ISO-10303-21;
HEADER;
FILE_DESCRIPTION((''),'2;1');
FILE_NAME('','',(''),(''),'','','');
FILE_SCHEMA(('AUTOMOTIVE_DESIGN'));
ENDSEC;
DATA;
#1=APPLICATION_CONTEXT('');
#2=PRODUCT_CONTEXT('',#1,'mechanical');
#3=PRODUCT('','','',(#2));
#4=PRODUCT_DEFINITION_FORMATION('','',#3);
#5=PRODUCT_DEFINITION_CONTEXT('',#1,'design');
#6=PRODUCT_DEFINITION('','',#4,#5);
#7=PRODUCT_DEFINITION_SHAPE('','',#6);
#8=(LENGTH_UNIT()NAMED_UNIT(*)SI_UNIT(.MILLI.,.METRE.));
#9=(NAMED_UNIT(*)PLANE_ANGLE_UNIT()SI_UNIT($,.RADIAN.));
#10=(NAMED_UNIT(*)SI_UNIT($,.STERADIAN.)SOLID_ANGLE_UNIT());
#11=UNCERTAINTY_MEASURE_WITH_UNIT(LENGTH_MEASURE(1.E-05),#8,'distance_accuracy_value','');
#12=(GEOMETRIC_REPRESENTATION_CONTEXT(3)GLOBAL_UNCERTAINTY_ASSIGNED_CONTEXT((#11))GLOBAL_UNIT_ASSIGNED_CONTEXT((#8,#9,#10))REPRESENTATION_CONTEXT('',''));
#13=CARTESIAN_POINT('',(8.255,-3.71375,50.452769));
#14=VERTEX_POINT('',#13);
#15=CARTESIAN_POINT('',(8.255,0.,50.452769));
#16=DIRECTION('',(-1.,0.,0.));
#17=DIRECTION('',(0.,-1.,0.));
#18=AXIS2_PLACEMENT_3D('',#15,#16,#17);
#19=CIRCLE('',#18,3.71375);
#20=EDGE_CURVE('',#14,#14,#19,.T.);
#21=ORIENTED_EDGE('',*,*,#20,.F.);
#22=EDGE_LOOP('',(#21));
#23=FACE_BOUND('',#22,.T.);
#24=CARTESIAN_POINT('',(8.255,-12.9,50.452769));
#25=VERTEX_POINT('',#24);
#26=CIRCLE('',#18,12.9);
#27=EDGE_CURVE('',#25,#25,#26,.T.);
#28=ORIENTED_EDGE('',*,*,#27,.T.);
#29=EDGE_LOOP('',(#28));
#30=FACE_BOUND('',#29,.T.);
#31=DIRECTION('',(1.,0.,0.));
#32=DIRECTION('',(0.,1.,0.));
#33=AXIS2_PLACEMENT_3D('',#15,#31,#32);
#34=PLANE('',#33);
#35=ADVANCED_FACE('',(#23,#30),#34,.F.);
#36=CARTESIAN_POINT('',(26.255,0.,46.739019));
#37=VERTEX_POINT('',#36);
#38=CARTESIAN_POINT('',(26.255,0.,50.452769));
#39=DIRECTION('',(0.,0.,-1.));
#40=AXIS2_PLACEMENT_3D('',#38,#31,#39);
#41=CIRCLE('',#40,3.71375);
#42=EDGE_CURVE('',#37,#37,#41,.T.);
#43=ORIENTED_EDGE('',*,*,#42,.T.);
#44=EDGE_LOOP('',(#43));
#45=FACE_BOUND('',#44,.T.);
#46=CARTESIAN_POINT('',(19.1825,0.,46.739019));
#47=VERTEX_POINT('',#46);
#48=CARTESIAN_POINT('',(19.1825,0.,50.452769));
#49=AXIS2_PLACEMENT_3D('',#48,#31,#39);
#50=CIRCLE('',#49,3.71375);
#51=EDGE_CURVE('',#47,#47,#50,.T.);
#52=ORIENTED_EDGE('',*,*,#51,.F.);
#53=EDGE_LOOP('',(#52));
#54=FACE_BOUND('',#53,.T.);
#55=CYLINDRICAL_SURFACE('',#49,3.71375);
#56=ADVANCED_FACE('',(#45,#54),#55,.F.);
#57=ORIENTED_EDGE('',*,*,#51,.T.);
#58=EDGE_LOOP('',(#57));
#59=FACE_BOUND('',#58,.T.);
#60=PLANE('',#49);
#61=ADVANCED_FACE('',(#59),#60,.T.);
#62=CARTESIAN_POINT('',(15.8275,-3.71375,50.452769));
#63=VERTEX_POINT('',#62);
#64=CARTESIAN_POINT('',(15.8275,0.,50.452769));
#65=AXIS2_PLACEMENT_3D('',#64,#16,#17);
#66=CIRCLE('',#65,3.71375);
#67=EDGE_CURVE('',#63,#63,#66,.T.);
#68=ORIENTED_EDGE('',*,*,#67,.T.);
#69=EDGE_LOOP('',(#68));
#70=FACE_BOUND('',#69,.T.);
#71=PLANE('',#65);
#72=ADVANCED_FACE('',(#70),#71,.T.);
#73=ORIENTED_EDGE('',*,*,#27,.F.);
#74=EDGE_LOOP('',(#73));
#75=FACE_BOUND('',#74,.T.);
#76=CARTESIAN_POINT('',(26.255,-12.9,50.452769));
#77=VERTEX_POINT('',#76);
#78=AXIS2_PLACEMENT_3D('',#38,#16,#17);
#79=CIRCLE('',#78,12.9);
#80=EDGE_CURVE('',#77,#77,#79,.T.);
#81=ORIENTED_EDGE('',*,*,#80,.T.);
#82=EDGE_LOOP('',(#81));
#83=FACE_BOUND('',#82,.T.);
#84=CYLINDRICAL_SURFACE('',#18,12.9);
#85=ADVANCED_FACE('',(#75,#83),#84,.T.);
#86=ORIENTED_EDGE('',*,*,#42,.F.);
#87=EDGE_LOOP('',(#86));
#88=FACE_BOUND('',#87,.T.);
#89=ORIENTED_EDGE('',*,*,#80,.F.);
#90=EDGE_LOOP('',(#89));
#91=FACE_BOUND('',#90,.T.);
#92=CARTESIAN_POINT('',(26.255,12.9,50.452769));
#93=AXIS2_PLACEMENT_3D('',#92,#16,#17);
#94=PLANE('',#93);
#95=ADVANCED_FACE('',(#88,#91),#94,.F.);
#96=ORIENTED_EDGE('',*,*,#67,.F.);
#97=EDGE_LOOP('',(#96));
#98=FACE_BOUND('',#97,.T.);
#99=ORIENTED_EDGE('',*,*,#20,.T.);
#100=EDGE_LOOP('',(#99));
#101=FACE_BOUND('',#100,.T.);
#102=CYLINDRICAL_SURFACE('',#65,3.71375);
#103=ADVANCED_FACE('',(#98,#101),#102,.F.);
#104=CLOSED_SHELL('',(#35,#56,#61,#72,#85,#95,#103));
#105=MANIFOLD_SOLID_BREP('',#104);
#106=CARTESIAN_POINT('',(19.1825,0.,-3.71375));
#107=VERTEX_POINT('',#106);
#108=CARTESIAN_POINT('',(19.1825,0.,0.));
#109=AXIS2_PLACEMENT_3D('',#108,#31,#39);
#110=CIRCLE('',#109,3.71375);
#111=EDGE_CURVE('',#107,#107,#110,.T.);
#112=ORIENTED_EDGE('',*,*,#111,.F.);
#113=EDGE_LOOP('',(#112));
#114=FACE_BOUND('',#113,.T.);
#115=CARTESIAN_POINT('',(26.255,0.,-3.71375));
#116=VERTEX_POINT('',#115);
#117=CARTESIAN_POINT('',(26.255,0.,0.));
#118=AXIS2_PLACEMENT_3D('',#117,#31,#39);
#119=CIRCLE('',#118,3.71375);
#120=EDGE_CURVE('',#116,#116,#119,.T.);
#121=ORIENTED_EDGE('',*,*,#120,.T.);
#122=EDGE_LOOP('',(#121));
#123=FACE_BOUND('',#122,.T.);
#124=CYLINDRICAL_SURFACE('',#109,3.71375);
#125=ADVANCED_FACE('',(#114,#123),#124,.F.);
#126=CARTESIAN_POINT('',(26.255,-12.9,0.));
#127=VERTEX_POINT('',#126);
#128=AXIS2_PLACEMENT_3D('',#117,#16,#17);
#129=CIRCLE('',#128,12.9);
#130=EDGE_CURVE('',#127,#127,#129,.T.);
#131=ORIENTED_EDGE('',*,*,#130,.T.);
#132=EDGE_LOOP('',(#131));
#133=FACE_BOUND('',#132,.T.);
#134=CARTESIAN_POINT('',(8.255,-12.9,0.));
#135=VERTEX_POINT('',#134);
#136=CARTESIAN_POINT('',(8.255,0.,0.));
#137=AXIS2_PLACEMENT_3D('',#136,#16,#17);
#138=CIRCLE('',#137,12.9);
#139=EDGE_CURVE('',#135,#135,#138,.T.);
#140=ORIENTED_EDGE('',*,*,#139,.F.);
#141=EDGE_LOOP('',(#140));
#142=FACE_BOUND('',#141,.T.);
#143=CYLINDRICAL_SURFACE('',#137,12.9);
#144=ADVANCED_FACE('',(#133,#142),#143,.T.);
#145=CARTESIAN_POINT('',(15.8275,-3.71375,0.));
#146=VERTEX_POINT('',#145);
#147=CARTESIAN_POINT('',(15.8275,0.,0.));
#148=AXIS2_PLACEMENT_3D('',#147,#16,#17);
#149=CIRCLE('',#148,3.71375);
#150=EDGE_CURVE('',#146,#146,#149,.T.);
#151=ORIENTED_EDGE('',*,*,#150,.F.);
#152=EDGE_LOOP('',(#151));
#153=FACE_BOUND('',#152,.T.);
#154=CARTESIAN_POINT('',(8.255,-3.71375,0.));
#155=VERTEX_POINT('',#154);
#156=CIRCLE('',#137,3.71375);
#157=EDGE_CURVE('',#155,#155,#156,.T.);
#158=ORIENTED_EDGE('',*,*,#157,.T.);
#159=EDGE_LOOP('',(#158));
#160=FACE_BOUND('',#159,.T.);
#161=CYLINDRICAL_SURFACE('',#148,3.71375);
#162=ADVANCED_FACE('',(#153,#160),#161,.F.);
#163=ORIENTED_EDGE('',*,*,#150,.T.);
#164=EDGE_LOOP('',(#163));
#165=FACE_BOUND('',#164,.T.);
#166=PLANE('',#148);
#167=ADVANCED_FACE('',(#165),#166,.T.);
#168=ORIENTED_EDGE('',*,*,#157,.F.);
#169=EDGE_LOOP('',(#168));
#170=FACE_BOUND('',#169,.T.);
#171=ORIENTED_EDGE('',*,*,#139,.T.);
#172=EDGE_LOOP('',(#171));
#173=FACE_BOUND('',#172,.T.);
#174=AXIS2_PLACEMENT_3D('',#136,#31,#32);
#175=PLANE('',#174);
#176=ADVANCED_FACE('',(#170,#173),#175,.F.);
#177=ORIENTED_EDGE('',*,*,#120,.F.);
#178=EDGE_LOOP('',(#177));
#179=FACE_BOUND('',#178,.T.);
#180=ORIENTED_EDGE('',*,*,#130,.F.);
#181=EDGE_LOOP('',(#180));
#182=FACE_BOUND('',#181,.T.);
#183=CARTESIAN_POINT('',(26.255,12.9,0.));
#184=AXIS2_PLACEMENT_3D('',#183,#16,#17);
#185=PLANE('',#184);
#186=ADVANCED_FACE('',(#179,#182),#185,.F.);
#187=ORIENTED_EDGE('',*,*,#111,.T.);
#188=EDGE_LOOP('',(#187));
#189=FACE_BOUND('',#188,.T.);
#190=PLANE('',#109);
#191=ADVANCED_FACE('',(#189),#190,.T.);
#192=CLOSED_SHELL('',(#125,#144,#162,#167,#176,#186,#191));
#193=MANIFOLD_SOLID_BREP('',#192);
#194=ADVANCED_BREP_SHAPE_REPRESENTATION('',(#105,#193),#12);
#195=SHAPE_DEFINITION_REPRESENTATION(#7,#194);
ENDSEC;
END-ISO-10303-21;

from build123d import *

# Parameters (mm, degrees)
SKETCH1_W          = 18
SKETCH1_H          = 12.9
SKETCH2_R          = 3.71375
CUT_EXTRUDE1_DEPTH = 7.5725
SKETCH4_R          = 3.71375
CUT_EXTRUDE2_DEPTH = 7.0725


with BuildPart() as part:
    # Sketch1 → Revolve1 (revolve)
    with BuildSketch(Plane.XY):
        with Locations((17.255, 6.45)):
            Rectangle(SKETCH1_W, SKETCH1_H)
    revolve(axis=Axis((8.255, 0, 0), (1, 0, 0)))

    # Sketch2 → Cut-Extrude1 (cut)
    with BuildSketch(Plane.ZY.offset(-8.255)):
        Circle(SKETCH2_R)
    extrude(amount=-CUT_EXTRUDE1_DEPTH, mode=Mode.SUBTRACT)

    # Sketch4 → Cut-Extrude2 (cut)
    with BuildSketch(Plane(origin=(26.255, 0, 0), x_dir=(0, 0, -1), z_dir=(1, 0, 0))):
        Circle(SKETCH4_R)
    extrude(amount=-CUT_EXTRUDE2_DEPTH, mode=Mode.SUBTRACT)


with BuildPart() as body_2:
    # Body-Move/Copy1: copy of part
    add(part.part.moved(Location((0, 0, 50.452769062))))


solid = Compound([part.part, body_2.part])
